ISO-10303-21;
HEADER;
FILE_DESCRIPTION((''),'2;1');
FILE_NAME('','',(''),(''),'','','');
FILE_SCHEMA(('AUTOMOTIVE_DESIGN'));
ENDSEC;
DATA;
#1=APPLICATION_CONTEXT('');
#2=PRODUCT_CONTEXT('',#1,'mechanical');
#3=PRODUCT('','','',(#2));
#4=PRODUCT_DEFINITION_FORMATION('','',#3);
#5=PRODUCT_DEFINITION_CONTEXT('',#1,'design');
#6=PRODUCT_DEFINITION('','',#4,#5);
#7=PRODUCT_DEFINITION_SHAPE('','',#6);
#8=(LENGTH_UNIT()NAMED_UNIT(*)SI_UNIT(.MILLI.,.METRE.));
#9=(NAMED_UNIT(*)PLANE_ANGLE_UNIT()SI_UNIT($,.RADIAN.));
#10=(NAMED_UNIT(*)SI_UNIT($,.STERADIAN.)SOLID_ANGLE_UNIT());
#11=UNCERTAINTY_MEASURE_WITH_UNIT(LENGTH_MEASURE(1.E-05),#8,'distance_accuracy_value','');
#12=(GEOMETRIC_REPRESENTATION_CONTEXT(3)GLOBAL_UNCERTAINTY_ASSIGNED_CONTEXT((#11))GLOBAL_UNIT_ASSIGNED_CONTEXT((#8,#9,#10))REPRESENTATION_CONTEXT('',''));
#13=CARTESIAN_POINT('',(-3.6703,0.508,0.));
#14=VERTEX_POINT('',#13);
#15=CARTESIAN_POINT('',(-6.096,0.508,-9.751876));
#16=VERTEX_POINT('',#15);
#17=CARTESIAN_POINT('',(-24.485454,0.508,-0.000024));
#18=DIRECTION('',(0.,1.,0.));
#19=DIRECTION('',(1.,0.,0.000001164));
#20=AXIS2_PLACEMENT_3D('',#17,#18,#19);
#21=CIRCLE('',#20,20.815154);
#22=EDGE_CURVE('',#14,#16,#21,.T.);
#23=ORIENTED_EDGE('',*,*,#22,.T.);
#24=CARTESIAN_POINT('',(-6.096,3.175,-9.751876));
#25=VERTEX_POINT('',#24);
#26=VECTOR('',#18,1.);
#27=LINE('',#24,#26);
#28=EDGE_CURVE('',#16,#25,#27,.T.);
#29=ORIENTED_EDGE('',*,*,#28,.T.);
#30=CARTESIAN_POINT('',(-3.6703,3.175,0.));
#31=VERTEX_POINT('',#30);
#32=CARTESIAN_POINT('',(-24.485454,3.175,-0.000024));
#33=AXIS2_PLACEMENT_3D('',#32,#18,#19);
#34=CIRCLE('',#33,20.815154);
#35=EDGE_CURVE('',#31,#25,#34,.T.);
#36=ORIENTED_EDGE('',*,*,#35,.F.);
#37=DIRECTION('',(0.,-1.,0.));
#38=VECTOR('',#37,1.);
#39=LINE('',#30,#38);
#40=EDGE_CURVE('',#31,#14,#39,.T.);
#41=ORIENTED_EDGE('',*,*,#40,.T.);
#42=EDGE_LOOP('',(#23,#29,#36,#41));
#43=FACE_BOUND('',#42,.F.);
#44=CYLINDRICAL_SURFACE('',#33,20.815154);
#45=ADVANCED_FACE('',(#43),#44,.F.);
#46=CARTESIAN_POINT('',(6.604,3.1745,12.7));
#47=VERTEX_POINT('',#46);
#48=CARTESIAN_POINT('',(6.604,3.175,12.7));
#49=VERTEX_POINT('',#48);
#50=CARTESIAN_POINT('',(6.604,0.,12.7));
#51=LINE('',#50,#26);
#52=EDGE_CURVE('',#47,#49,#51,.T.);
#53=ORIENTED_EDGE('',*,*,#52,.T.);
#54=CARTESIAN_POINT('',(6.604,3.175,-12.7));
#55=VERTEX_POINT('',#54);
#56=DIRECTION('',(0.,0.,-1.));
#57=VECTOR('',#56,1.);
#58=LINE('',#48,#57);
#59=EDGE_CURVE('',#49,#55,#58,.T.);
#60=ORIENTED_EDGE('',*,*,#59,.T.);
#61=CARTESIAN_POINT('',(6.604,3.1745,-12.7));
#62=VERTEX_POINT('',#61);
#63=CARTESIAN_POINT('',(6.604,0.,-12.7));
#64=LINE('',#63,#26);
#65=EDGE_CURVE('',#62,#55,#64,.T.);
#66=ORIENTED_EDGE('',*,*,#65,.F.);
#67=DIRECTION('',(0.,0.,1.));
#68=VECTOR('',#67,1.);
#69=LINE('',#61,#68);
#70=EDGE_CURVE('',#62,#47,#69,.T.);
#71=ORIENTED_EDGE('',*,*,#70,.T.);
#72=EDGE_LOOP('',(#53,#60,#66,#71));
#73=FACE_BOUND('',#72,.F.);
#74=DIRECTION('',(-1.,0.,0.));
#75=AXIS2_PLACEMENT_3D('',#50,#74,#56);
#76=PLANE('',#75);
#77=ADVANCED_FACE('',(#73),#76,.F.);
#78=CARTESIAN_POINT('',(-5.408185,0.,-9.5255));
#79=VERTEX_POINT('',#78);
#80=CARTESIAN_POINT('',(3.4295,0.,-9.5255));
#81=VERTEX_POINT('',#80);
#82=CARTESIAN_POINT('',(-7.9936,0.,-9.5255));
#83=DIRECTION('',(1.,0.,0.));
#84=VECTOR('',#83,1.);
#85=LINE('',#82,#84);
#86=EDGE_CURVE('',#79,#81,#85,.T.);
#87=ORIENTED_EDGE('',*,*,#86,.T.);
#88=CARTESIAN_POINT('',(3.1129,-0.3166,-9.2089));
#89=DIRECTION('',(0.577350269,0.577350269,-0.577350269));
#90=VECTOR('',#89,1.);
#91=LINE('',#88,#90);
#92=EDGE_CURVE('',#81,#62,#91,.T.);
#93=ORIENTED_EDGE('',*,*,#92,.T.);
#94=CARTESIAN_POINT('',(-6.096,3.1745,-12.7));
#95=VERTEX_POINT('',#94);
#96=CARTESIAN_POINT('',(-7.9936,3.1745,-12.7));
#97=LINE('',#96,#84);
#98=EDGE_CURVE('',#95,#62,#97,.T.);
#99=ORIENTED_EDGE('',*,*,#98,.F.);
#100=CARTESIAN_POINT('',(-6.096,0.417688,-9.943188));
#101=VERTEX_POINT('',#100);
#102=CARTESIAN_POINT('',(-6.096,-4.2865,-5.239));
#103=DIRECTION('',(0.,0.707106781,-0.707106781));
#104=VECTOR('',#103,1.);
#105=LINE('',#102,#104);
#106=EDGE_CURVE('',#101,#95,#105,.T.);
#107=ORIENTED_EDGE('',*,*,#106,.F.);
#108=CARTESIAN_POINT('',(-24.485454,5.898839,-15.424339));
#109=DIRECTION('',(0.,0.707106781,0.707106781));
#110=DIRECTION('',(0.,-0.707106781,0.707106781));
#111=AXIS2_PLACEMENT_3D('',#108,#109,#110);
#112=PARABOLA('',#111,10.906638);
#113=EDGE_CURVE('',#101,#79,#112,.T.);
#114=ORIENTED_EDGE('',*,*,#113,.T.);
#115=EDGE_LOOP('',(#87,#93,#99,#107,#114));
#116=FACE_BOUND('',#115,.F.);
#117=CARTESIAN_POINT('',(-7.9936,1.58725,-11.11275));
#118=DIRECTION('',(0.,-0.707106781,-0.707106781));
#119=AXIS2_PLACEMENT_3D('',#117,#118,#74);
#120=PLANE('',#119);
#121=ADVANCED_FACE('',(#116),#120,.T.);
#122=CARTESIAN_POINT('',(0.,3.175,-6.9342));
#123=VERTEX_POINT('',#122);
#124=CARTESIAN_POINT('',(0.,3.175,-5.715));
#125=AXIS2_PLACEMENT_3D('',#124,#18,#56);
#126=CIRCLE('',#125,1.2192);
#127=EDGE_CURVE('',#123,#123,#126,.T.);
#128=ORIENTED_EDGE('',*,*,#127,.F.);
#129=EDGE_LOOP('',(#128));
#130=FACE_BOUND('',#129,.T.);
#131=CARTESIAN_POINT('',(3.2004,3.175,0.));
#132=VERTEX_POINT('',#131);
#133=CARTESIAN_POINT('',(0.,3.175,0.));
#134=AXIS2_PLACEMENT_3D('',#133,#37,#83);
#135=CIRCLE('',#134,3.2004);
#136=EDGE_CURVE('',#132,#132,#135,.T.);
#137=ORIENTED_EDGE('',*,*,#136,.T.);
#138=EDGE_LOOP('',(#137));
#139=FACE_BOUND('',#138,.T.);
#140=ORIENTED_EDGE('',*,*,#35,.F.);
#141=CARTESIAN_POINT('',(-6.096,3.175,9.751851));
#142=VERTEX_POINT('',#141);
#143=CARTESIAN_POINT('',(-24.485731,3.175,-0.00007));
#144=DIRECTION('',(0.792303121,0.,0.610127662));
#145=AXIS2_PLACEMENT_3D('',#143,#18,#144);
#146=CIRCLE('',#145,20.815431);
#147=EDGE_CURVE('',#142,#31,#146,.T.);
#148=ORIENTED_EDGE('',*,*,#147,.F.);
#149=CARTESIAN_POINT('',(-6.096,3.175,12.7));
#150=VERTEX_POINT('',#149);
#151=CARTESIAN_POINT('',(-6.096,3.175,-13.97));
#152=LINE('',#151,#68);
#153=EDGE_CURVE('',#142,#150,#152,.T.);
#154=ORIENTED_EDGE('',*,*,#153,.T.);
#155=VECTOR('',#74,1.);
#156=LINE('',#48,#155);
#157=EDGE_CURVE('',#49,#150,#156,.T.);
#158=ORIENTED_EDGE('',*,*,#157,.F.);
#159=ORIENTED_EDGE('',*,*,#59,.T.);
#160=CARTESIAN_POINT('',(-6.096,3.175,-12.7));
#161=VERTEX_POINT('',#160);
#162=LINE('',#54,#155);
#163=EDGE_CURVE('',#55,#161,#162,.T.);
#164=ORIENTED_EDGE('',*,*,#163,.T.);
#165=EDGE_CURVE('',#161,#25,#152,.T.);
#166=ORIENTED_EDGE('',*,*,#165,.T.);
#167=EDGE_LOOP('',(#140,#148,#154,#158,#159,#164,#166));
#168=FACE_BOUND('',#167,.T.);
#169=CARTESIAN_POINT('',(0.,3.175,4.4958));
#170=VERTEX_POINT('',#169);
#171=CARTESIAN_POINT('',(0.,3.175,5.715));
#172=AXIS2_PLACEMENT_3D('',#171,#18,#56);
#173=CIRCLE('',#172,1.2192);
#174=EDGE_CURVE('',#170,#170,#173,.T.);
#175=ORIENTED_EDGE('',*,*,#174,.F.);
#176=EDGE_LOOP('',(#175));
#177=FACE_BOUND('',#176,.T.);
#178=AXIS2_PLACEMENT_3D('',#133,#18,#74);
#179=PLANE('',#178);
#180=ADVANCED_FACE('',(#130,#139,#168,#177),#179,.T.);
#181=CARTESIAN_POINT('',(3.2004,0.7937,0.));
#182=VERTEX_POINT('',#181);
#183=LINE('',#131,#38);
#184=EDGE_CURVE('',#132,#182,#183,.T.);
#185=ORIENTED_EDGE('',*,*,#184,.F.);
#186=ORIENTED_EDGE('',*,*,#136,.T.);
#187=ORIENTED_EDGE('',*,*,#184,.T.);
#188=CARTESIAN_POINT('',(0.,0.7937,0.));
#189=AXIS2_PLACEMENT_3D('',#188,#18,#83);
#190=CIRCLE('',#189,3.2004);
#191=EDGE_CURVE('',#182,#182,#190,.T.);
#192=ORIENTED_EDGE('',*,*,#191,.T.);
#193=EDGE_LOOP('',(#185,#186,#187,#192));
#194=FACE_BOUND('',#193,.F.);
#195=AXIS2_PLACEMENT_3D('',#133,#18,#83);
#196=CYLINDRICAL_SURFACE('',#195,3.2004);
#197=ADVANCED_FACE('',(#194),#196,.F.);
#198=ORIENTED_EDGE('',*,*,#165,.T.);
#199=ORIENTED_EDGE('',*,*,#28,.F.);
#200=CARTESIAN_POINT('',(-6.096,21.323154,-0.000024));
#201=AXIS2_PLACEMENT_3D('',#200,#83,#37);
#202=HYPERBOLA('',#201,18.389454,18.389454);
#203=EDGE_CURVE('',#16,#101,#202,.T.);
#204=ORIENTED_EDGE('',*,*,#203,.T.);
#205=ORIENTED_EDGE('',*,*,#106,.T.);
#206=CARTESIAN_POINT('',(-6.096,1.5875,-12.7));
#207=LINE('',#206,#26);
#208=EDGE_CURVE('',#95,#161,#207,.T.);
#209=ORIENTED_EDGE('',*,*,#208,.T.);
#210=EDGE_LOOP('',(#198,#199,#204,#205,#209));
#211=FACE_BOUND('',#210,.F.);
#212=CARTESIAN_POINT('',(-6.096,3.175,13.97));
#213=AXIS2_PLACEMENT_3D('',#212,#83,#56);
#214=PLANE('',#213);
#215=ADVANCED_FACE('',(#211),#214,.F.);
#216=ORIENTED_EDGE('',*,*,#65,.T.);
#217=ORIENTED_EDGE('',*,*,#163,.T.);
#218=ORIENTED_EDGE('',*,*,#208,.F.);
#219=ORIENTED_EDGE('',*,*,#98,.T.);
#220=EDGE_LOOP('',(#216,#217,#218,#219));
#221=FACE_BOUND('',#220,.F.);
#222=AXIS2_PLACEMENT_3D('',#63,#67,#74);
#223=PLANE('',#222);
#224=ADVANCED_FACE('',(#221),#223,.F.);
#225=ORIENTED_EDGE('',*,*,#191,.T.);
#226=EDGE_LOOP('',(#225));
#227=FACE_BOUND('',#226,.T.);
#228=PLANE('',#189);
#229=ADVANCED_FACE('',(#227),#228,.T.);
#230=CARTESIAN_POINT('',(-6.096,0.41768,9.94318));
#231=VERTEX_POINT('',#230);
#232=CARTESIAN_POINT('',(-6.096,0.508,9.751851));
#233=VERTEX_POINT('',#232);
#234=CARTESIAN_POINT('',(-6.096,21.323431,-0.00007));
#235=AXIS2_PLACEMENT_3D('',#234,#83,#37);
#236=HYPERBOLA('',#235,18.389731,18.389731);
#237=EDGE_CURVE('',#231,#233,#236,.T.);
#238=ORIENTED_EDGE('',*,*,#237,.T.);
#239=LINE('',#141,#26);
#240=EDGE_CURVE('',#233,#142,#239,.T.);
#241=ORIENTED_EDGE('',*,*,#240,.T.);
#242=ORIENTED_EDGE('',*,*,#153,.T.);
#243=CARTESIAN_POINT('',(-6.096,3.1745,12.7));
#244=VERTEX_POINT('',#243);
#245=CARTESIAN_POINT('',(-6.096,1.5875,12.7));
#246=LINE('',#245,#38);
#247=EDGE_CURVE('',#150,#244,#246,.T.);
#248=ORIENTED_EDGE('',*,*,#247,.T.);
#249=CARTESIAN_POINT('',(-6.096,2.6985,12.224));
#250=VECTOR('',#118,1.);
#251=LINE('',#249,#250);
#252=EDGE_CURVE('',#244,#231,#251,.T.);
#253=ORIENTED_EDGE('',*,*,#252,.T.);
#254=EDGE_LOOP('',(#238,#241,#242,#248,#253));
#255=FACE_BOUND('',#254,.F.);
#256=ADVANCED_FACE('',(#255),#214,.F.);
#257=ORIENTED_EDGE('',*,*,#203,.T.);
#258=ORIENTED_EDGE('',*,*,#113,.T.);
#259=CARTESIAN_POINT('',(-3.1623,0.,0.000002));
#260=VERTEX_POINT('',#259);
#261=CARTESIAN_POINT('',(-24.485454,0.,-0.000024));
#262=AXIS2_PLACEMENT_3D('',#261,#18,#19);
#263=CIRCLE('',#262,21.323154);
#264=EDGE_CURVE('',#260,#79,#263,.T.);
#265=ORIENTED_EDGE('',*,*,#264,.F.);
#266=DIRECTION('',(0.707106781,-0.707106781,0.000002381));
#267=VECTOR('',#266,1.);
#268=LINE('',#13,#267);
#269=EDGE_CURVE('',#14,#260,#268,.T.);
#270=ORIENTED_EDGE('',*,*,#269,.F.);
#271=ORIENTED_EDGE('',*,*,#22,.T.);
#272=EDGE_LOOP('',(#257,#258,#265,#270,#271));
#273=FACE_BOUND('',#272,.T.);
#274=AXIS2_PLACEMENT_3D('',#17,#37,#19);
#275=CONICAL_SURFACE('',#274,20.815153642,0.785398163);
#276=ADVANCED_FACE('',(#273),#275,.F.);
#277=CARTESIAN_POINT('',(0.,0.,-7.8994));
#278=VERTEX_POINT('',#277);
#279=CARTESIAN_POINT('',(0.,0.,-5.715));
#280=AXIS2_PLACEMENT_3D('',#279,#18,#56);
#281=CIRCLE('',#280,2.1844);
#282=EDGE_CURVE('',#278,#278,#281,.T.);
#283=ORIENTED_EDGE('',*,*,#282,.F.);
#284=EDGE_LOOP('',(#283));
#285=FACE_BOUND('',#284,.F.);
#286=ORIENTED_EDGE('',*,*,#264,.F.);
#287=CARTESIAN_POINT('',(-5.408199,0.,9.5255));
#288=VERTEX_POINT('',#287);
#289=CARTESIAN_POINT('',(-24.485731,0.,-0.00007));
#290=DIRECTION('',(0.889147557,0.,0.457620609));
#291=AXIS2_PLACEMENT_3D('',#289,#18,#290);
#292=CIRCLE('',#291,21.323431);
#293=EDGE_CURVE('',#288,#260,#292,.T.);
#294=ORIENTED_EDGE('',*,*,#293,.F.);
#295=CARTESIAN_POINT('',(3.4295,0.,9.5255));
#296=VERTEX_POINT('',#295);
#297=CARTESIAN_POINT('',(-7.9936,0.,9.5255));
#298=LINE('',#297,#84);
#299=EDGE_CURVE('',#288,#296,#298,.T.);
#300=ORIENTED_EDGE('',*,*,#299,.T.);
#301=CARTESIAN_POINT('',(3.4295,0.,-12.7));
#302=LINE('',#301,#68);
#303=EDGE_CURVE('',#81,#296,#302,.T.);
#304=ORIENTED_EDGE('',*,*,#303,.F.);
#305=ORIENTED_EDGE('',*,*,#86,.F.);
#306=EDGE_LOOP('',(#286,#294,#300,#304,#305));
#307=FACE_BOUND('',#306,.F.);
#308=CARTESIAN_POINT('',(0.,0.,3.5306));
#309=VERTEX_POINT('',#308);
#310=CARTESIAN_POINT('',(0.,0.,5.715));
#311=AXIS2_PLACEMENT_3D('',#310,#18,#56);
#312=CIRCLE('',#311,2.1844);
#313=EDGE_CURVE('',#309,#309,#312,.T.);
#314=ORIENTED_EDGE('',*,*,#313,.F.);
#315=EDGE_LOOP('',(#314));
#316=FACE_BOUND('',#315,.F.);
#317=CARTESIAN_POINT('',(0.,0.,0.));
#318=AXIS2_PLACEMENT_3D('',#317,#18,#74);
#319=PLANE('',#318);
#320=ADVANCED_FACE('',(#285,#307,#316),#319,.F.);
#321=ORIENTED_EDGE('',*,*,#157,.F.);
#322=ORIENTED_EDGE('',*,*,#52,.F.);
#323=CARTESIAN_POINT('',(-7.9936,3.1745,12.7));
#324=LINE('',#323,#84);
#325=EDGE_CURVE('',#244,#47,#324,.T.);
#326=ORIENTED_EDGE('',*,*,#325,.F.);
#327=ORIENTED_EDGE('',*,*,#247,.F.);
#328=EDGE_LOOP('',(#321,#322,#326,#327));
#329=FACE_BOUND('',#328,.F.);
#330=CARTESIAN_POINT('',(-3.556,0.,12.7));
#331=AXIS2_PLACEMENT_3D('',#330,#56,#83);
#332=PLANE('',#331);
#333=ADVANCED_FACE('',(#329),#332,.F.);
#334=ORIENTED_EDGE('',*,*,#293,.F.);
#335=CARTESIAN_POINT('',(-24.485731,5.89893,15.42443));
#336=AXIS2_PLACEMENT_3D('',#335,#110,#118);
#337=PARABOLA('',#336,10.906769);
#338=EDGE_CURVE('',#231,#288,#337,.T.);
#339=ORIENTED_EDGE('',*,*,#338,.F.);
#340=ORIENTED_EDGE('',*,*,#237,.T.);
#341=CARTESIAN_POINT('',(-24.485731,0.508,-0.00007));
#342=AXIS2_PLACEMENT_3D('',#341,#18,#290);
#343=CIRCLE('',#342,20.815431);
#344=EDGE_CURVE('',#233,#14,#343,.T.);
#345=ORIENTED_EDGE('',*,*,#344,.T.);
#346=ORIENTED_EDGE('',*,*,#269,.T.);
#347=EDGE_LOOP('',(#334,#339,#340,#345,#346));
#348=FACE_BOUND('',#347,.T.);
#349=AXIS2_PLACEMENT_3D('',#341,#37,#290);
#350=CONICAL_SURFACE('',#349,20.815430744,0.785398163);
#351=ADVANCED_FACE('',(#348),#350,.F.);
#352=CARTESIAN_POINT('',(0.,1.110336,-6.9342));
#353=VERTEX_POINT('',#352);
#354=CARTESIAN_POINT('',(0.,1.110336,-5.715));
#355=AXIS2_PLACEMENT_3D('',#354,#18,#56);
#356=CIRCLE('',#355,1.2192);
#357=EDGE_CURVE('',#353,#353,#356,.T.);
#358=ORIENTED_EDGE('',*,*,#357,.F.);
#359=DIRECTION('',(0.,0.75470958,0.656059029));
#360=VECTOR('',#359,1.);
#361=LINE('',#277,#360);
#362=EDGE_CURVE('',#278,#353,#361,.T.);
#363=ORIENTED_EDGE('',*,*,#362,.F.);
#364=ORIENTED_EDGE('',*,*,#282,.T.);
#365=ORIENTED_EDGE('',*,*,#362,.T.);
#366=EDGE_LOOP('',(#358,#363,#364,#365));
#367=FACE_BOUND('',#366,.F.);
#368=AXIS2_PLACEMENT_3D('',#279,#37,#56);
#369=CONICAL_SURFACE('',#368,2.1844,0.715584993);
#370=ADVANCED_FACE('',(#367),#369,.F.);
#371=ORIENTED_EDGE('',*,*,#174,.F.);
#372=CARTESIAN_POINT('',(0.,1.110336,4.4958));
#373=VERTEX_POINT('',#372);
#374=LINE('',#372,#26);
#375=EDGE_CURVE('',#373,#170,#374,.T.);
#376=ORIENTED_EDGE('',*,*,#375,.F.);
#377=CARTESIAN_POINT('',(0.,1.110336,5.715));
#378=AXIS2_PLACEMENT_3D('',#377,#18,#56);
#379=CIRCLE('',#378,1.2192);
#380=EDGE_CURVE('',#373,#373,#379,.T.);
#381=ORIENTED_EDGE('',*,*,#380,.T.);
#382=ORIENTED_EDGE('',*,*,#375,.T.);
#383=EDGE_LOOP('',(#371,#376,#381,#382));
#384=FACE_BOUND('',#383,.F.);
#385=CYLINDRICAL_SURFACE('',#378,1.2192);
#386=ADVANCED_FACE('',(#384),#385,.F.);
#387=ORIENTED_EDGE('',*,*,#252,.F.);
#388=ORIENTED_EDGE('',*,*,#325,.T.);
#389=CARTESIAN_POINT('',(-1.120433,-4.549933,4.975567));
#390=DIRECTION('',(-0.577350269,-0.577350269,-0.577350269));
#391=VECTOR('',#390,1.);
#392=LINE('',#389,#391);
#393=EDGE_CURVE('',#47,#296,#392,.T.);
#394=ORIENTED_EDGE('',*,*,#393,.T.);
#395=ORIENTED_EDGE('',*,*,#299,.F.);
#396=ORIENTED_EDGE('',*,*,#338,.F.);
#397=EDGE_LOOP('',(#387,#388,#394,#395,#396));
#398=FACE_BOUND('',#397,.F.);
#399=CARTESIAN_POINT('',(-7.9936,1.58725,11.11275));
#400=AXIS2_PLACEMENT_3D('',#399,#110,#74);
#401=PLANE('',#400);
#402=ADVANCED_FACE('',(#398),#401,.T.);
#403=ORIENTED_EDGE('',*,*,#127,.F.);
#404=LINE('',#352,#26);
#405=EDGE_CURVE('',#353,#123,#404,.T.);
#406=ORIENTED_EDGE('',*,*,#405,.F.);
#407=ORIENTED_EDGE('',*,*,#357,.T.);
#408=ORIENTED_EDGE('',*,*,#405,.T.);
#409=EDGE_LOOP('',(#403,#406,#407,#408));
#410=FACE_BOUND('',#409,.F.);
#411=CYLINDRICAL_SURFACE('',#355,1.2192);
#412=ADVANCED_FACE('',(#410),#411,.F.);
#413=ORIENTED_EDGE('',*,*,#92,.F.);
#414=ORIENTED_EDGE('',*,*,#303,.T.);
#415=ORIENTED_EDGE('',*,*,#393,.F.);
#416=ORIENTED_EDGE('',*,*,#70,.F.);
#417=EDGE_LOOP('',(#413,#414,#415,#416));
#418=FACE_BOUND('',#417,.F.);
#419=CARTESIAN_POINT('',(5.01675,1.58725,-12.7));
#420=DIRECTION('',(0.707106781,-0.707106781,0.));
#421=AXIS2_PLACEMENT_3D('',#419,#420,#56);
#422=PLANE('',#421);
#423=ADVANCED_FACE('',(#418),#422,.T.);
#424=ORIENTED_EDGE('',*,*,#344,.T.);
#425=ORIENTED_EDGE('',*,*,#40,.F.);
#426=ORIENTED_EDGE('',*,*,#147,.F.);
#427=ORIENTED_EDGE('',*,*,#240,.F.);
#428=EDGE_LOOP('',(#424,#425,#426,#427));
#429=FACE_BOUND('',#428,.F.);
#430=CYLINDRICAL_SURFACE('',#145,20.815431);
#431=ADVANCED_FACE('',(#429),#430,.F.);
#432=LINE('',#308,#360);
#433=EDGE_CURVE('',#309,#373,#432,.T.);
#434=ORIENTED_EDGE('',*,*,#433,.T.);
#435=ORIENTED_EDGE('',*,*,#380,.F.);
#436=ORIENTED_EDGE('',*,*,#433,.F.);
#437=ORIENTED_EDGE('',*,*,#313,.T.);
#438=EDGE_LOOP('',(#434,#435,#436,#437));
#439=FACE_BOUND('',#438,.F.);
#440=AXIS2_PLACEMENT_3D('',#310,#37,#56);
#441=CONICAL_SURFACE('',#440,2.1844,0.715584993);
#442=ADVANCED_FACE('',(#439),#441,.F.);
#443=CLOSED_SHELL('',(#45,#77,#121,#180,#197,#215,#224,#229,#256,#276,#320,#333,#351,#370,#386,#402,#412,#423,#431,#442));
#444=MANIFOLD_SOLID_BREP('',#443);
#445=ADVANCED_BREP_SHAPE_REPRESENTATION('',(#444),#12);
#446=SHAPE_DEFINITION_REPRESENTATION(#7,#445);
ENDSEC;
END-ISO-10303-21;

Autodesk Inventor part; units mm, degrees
ref_plane "YZ Plane" through (0, 0, 0) normal (1, 0, 0) x (0, 1, 0)
ref_plane "XZ Plane" through (0, 0, 0) normal (0, 1, 0) x (-1, 0, 0)
ref_plane "XY Plane" through (0, 0, 0) normal (0, 0, 1) x (1, 0, 0)
sketch "Sketch1" plane through (0, 0, 0) normal (0, 1, 0) x (-1, 0, 0)
  circle A0 centre (0, 0) radius 3.175 construction
  line L0 (3.556, 12.7) -> (-6.604, 12.7)
  line L1 (-6.604, 12.7) -> (-6.604, -12.7)
  line L2 (-6.604, -12.7) -> (3.556, -12.7)
  line L3 (3.556, -12.7) -> (3.556, 12.7)
  line L4 (5.588, 0) -> (-8.636, 0) projected
  dimension "d0" = 6.35
  dimension "d1" = 3.556
  dimension "d2" = 10.16
  dimension "d3" = 25.4
extrude "Extrusion1" add sketch "Sketch1" along normal blind 3.175
sketch "Sketch2" plane through (0, 3.175, 0) normal (0, 1, 0) x (1, 0, 0)
  line L0 (-5.588, 0) -> (8.636, 0) projected
  line L1 (0, 17.78) -> (0, -17.78) projected
  circle A0 centre (0, 0) radius 3.2004
  dimension "d6" = 6.4008
extrude "Extrusion2" cut sketch "Sketch2" against normal blind 2.3813
sketch "Sketch3" plane through (0, 0, 0) normal (0, -1, 0) x (1, 0, 0)
  line L0 (0, -17.78) -> (0, 17.78) projected
  line L1 (-5.588, 0) -> (8.636, 0) projected
  point P0 (0, 0)
  point P1 (0, 5.715)
  point P2 (0, -5.715)
  dimension "d9" = 11.43
hole "Hole1" at (0, 0, 5.715) at (0, 0, -5.715) direction (0, 1, 0) diameter 2.4384 depth 25.4 tip angle 118 countersink diameter 4.3688 countersink angle 82 clearance for "Flat Head Machine Screw (82)" size "#2" standard "Ansi Unified Screw Threads"
chamfer "Chamfer3" distance 3.175 angle 45 1 edges at (6.604, 0, 0)
sketch "Sketch4" plane through (0, 3.175, 0) normal (0, 1, 0) x (1, 0, 0)
  arc A0 (-3.6703, 0) -> (-7.9936, 12.7) centre (-24.4856, 0) ccw
  line L0 (-55.6819, 0) -> (16.985, 0) projected
  line L1 (-3.556, -12.7) -> (6.604, -12.7) projected
  line L2 (6.604, 12.7) -> (-3.556, 12.7) projected
  line L3 (-3.556, 12.7) -> (-3.556, -12.7) projected
  line L4 (-3.556, -12.7) -> (-7.9936, -12.7)
  line L5 (-3.556, 12.7) -> (-7.9936, 12.7)
  line L6 (-3.556, -12.7) -> (-3.556, 12.7)
  arc A1 (-7.9936, -12.7) -> (-3.6703, 0) centre (-24.4856, 0) ccw
  arc A2 (-7.9936, 12.7) -> (-7.9936, -12.7) centre (-24.4856, 0) ccw construction
  point P0 (0, 0)
  dimension "d26" = 24.4856
  dimension "d27" = 41.6306
extrude "Extrusion3" add sketch "Sketch4" against normal blind 3.175
chamfer "Chamfer4" distance 3.175 angle 45 2 edges at (-2.282, 0, 12.7) (-2.282, 0, -12.7)
chamfer "Chamfer5" distance 0.508 angle 45 1 edges at (-3.6703, 0, 0)
sketch "Sketch5" plane through (0, 3.175, 0) normal (0, 1, 0) x (1, 0, 0)
  line L0 (-6.096, -13.97) -> (-6.096, 13.97)
  line L1 (6.604, -12.7) -> (6.604, 12.7) projected
  line L2 (-6.096, -13.97) -> (-12.446, -13.97)
  line L3 (-12.446, -13.97) -> (-12.446, 13.97)
  line L4 (-12.446, 13.97) -> (-6.096, 13.97)
  circle A0 centre (0, 0) radius 3.2004 projected
  line L5 (-16.256, 0) -> (10.414, 0) projected
  dimension "d36" = 12.7
  dimension "d37" = 6.35
  dimension "d38" = 27.94
extrude "Extrusion4" cut sketch "Sketch5" against normal blind 3.175 contours L2 L3 L5 L0 | L5 L3 L4 L0
sketch "Sketch6" plane through (0, 0, 0) normal (0, -1, 0) x (1, 0, 0)
  circle A0 centre (0, 0) radius 3.2004 projected
  line L0 (-5.588, 0) -> (8.636, 0) projected
  line L1 (0, -17.78) -> (0, 17.78) projected
  line L2 (0, 0) -> (2.4318, -2.8981) construction
  line L3 (-3.006, 2.3476) -> (1.79, -3.368)
  line L4 (2.3491, -3.417) -> (2.9571, -2.9067)
  line L5 (3.006, -2.3476) -> (-1.79, 3.368)
  line L6 (-2.3491, 3.417) -> (-2.9571, 2.9067)
  line L7 (-3.2612, 2.6516) -> (3.2612, -2.6516) construction
  line L8 (2.0451, -3.6721) -> (-2.0451, 3.6721) construction
  arc A1 (2.9571, -2.9067) -> (3.006, -2.3476) centre (2.702, -2.6027) ccw
  arc A2 (1.79, -3.368) -> (2.3491, -3.417) centre (2.094, -3.1129) ccw
  arc A3 (-2.9571, 2.9067) -> (-3.006, 2.3476) centre (-2.702, 2.6027) ccw
  arc A4 (-1.79, 3.368) -> (-2.3491, 3.417) centre (-2.094, 3.1129) ccw
  dimension "d41" = 50
  dimension "d42" = 8.255
  dimension "d43" = 1.5875
  dimension "d46" = 0.3969
  dimension "d47" = 140
extrude "Extrusion5" [suppressed]
equation "\"d4\" = bearing_thickness"
equation "\"d28\" = bearing_thickness"
equation "\"d39\" = bearing_thickness"
equation "\"bearing_thickness\" = 3.175"
properties part number "bearing_insert_thick_flat_projecting" material "Stainless Steel, 440C"
